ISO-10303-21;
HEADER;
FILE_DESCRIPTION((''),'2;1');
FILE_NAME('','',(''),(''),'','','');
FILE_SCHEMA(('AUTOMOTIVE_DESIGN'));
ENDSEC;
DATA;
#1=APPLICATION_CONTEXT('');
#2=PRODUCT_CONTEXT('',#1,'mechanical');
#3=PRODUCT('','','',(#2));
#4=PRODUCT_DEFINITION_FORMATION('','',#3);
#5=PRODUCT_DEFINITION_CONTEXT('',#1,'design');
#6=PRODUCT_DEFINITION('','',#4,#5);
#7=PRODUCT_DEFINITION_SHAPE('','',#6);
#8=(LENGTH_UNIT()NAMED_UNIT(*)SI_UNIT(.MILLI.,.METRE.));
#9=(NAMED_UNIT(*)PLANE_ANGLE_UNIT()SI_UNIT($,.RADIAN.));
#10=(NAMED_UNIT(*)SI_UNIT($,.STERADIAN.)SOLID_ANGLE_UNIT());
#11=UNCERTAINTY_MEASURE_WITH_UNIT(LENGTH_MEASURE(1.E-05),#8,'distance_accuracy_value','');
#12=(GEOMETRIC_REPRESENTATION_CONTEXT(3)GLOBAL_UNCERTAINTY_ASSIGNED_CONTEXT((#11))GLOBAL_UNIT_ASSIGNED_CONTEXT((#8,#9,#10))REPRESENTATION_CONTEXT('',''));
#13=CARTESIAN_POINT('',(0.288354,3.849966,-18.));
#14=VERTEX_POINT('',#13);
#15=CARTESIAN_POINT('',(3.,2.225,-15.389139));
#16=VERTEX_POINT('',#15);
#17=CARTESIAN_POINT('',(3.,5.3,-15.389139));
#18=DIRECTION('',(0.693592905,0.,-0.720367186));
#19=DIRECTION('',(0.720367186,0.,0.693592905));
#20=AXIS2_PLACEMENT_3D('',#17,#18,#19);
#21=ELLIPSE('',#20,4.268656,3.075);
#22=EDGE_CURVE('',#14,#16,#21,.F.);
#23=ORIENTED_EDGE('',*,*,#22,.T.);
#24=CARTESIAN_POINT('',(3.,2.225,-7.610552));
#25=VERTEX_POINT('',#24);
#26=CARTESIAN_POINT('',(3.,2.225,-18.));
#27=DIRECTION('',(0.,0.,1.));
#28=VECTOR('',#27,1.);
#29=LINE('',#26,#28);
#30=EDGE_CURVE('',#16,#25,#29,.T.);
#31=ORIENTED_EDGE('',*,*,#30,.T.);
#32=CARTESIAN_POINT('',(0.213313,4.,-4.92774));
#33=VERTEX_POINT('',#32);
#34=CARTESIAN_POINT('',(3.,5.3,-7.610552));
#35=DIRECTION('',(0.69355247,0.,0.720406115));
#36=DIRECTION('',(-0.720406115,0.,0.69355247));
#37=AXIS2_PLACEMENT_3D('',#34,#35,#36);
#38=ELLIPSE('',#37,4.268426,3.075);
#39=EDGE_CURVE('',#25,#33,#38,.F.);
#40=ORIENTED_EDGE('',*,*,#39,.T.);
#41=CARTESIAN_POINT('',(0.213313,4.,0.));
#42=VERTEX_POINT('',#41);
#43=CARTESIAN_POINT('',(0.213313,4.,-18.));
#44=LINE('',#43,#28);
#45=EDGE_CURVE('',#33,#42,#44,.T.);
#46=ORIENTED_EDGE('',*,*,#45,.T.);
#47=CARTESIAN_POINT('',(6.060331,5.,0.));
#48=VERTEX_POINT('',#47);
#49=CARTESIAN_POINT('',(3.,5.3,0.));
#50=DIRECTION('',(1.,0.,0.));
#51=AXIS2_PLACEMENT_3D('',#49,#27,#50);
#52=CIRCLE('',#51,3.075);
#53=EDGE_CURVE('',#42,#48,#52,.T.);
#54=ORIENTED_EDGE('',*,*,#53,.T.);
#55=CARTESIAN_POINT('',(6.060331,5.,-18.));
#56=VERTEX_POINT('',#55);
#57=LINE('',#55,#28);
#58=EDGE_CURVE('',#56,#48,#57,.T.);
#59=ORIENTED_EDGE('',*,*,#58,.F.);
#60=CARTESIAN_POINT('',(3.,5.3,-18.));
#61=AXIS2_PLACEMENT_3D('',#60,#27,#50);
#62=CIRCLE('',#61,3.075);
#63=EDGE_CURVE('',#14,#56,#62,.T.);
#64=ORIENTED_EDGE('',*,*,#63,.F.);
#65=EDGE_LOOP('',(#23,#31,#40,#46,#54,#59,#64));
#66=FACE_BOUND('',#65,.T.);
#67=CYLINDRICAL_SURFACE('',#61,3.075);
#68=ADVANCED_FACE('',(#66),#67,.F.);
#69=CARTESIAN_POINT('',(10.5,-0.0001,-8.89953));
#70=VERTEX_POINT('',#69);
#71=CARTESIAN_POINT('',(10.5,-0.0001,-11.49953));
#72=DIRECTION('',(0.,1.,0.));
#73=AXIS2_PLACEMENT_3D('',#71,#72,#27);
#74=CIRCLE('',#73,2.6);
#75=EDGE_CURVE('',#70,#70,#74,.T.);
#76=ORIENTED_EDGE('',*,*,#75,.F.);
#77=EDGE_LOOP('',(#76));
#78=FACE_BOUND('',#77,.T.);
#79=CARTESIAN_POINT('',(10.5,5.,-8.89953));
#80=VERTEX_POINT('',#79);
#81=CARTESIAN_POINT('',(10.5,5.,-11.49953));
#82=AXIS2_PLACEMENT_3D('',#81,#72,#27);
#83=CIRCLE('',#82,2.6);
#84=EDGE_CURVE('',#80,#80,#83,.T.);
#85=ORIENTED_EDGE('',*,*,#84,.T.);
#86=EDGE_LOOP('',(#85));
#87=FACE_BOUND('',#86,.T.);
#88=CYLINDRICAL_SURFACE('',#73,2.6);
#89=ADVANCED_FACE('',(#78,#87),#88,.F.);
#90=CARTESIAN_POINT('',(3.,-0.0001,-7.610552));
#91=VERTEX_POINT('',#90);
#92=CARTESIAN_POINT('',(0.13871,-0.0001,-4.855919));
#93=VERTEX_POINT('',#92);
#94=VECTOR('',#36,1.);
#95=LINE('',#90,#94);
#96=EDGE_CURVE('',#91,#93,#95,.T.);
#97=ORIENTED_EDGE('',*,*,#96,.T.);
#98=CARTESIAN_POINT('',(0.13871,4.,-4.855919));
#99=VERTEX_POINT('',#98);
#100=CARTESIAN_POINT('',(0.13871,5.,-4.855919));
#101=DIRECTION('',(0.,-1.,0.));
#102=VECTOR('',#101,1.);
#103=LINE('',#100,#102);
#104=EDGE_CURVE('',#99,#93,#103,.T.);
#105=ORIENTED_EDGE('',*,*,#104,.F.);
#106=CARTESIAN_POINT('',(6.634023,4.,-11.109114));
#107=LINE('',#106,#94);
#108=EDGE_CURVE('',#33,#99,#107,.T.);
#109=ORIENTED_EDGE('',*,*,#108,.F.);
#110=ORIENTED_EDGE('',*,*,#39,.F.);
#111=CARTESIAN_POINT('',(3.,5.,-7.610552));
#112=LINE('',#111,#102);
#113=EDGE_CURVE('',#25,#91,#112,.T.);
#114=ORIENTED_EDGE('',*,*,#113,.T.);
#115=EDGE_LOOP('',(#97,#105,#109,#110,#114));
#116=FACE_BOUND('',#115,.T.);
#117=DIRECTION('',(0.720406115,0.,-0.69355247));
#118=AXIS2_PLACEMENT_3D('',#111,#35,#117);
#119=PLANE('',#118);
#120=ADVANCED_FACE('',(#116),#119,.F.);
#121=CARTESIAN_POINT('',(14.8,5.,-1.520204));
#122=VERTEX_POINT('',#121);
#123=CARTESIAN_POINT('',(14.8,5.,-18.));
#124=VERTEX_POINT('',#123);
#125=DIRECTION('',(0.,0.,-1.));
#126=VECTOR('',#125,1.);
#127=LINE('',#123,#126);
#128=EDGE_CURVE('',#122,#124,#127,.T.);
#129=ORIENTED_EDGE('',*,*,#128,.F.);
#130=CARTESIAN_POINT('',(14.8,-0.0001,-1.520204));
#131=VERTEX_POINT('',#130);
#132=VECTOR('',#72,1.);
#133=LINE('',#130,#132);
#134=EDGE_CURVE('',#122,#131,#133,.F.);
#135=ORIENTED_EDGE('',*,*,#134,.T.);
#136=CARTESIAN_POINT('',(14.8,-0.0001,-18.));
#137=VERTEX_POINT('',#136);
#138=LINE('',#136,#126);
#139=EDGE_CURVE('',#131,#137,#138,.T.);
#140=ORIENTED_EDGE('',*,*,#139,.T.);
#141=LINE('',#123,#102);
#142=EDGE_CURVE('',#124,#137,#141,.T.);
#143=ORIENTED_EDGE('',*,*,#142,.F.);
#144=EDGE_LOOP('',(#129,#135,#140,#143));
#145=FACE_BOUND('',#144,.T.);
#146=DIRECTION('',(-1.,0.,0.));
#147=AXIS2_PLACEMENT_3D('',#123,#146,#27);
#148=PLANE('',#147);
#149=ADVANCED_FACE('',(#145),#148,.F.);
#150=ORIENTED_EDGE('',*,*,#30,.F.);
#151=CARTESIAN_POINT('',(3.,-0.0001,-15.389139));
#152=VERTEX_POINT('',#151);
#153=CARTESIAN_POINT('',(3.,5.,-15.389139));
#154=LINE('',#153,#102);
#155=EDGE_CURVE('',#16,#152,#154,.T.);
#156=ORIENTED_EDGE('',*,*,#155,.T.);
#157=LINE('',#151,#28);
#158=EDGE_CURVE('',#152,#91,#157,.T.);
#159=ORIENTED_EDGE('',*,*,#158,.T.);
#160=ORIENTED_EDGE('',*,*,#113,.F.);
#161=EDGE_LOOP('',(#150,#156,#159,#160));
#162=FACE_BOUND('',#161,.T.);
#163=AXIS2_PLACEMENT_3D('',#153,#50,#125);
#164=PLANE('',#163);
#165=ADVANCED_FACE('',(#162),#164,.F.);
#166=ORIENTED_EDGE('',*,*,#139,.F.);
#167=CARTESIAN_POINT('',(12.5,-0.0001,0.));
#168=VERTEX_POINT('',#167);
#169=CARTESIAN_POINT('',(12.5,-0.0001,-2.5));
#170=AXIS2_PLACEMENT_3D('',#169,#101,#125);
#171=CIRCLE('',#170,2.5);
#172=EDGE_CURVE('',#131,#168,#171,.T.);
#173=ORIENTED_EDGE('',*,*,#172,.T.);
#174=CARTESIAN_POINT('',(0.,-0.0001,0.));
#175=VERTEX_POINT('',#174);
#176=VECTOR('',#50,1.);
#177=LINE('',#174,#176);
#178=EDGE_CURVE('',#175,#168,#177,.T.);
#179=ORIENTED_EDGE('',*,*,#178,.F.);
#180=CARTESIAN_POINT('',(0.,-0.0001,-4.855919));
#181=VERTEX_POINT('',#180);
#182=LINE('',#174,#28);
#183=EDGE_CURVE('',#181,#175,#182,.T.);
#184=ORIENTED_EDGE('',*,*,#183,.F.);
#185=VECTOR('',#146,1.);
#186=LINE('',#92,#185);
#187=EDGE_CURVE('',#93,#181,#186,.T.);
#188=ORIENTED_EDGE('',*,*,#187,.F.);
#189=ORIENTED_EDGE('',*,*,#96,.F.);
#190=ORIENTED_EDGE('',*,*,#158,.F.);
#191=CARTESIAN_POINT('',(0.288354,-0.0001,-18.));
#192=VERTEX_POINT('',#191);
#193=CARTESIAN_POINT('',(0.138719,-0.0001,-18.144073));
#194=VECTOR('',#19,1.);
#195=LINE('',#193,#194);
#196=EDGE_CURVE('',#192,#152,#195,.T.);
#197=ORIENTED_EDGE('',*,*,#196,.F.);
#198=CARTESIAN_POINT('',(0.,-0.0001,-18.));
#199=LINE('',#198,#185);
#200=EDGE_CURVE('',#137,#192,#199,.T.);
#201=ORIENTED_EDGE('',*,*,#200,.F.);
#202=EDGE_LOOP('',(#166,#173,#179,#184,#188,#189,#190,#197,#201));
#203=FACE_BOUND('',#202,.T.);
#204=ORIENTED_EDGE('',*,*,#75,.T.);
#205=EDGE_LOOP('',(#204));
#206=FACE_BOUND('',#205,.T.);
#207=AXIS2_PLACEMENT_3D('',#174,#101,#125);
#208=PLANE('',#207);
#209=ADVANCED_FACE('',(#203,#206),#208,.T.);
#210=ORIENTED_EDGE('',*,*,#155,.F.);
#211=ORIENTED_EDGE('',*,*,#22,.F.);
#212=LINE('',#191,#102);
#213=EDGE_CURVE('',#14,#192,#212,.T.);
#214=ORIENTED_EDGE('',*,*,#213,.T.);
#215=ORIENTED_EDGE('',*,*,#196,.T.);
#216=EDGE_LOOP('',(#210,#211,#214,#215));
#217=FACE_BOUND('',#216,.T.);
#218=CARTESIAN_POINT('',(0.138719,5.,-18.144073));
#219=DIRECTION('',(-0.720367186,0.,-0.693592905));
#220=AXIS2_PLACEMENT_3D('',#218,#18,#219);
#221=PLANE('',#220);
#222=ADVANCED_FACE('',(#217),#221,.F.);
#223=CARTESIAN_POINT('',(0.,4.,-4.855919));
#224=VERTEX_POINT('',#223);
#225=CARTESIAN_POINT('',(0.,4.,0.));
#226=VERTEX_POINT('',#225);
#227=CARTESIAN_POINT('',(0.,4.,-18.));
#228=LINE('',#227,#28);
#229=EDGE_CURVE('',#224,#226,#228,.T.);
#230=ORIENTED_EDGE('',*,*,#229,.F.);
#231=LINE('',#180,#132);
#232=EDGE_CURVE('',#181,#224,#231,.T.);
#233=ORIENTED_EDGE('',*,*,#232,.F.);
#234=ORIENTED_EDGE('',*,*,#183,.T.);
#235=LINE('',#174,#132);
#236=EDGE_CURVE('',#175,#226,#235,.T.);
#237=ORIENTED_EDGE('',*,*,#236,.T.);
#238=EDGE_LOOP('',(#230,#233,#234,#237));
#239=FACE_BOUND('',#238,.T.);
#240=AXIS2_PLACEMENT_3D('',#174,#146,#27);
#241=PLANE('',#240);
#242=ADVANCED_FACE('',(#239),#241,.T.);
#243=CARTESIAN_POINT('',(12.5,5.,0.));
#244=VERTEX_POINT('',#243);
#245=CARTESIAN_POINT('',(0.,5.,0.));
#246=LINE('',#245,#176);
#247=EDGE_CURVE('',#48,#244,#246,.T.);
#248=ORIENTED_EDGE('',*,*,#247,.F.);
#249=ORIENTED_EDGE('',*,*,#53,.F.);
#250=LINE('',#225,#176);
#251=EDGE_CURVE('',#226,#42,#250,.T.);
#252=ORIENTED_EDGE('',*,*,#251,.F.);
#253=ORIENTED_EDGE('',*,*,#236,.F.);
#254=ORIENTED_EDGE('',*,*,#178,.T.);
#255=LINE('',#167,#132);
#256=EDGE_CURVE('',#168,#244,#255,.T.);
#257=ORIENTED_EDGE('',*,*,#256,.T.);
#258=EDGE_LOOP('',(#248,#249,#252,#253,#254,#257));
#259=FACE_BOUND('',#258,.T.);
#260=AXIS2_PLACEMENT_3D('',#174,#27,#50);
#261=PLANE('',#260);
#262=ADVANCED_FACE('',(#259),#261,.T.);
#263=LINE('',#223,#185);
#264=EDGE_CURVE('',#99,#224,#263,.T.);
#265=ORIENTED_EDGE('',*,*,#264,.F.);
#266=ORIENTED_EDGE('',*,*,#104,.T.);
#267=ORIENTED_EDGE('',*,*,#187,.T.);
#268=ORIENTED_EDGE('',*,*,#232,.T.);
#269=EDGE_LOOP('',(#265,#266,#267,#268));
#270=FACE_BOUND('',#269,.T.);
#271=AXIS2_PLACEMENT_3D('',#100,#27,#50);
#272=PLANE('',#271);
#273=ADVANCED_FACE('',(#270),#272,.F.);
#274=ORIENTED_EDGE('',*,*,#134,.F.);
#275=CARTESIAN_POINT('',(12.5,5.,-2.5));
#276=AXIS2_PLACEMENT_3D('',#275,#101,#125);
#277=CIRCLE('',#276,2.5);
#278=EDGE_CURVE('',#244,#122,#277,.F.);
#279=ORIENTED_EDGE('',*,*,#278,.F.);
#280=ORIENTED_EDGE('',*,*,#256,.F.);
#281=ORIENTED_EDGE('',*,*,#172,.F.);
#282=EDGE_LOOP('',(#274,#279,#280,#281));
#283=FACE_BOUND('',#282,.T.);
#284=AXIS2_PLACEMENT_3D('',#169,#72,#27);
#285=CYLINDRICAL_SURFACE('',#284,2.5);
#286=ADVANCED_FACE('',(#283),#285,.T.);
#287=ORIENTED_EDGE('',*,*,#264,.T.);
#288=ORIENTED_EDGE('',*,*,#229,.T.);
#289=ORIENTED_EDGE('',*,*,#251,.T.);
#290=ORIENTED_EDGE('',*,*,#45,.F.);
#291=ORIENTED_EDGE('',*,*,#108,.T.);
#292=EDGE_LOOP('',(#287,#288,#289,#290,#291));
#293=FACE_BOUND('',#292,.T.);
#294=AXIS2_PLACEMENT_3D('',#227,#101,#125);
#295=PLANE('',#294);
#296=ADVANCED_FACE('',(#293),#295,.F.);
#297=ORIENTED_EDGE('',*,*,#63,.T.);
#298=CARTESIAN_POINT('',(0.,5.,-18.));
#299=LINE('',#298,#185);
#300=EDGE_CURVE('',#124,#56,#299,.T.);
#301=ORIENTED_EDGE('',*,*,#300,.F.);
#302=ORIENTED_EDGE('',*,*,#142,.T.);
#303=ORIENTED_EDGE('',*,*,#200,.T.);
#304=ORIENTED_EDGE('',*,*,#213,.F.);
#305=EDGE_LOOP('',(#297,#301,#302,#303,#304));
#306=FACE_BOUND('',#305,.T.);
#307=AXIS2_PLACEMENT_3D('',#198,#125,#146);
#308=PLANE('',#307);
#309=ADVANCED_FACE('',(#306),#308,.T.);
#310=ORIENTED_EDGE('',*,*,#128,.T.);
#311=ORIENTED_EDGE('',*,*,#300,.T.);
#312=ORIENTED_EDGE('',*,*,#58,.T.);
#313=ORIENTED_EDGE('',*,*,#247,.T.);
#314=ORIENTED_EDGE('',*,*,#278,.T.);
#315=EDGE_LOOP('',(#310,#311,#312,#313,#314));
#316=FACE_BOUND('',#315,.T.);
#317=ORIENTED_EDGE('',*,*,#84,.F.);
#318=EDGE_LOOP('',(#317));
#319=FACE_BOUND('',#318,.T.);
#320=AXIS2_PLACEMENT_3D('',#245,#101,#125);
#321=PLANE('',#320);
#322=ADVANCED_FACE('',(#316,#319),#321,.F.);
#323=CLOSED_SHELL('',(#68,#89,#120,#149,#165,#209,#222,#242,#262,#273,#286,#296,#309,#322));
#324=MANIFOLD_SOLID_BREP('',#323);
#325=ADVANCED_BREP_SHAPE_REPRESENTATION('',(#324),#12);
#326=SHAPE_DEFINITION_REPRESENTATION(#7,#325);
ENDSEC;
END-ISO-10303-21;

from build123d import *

# Parameters (mm, degrees)
BOSS_EXTRUDE1_DEPTH      = 5
BOSS_EXTRUDE1_DEPTH_BACK = 0.0001
SKETCH1_R                = 2.6
SKETCH2_R                = 3.075
CUT_EXTRUDE1_DEPTH       = 24.958297101
FILLET1_R                = 2.5
SKETCH3_W                = 0.717338371
SKETCH3_H                = 1
CUT_EXTRUDE2_DEPTH       = 24.958297101
SKETCH4_W                = 0.2
SKETCH4_H                = 18
CUT_EXTRUDE3_DEPTH       = 24.958317971


with BuildPart() as part:
    # Sketch1 → Boss-Extrude1 (new, two sides: drawn at the far end of the back side and taken through both)
    with BuildSketch(Plane(origin=(0, 0, 0), x_dir=(1, 0, 0), z_dir=(0, 1, 0)).offset(-BOSS_EXTRUDE1_DEPTH_BACK)):
        Polygon((0, 18), (2.8, 15.304069131), (2.8, 7.695628029), (0, 5), (0, 0), (15, 0), (15, 18), align=None)
        with Locations(Location((10.5, 11.499529694, 0), (0, 0, 270))):
            Circle(SKETCH1_R, mode=Mode.SUBTRACT)
    extrude(amount=BOSS_EXTRUDE1_DEPTH + BOSS_EXTRUDE1_DEPTH_BACK)

    # Sketch2 → Cut-Extrude1 (cut, through all)
    with BuildSketch(Plane.XY):
        with Locations((3, 5.3)):
            Circle(SKETCH2_R)
    extrude(amount=-CUT_EXTRUDE1_DEPTH, mode=Mode.SUBTRACT)

    # Fillet1
    fillet1_edges = [part.edges().sort_by_distance(p)[0] for p in [
        (15, 2.49995, 0),
    ]]
    fillet(fillet1_edges, radius=FILLET1_R)

    # Sketch3 → Cut-Extrude2 (cut, through all)
    with BuildSketch(Plane.XY):
        with Locations((0.358669186, 4.5)):
            Rectangle(SKETCH3_W, SKETCH3_H)
    extrude(amount=-CUT_EXTRUDE2_DEPTH, mode=Mode.SUBTRACT)

    # Sketch4 → Cut-Extrude3 (cut, through all)
    with BuildSketch(Plane.XZ.offset(0.0001)):
        Polygon((0.138710494, -4.855918777), (-0.903561635, -4.855918777), (-0.903561635, -18.144073437), (0.138718581, -18.144073437), (3, -15.389138829), (3, -7.610551703), align=None)
        with Locations((14.9, -9)):
            Rectangle(SKETCH4_W, SKETCH4_H)
    extrude(amount=-CUT_EXTRUDE3_DEPTH, mode=Mode.SUBTRACT)


solid = part.part
